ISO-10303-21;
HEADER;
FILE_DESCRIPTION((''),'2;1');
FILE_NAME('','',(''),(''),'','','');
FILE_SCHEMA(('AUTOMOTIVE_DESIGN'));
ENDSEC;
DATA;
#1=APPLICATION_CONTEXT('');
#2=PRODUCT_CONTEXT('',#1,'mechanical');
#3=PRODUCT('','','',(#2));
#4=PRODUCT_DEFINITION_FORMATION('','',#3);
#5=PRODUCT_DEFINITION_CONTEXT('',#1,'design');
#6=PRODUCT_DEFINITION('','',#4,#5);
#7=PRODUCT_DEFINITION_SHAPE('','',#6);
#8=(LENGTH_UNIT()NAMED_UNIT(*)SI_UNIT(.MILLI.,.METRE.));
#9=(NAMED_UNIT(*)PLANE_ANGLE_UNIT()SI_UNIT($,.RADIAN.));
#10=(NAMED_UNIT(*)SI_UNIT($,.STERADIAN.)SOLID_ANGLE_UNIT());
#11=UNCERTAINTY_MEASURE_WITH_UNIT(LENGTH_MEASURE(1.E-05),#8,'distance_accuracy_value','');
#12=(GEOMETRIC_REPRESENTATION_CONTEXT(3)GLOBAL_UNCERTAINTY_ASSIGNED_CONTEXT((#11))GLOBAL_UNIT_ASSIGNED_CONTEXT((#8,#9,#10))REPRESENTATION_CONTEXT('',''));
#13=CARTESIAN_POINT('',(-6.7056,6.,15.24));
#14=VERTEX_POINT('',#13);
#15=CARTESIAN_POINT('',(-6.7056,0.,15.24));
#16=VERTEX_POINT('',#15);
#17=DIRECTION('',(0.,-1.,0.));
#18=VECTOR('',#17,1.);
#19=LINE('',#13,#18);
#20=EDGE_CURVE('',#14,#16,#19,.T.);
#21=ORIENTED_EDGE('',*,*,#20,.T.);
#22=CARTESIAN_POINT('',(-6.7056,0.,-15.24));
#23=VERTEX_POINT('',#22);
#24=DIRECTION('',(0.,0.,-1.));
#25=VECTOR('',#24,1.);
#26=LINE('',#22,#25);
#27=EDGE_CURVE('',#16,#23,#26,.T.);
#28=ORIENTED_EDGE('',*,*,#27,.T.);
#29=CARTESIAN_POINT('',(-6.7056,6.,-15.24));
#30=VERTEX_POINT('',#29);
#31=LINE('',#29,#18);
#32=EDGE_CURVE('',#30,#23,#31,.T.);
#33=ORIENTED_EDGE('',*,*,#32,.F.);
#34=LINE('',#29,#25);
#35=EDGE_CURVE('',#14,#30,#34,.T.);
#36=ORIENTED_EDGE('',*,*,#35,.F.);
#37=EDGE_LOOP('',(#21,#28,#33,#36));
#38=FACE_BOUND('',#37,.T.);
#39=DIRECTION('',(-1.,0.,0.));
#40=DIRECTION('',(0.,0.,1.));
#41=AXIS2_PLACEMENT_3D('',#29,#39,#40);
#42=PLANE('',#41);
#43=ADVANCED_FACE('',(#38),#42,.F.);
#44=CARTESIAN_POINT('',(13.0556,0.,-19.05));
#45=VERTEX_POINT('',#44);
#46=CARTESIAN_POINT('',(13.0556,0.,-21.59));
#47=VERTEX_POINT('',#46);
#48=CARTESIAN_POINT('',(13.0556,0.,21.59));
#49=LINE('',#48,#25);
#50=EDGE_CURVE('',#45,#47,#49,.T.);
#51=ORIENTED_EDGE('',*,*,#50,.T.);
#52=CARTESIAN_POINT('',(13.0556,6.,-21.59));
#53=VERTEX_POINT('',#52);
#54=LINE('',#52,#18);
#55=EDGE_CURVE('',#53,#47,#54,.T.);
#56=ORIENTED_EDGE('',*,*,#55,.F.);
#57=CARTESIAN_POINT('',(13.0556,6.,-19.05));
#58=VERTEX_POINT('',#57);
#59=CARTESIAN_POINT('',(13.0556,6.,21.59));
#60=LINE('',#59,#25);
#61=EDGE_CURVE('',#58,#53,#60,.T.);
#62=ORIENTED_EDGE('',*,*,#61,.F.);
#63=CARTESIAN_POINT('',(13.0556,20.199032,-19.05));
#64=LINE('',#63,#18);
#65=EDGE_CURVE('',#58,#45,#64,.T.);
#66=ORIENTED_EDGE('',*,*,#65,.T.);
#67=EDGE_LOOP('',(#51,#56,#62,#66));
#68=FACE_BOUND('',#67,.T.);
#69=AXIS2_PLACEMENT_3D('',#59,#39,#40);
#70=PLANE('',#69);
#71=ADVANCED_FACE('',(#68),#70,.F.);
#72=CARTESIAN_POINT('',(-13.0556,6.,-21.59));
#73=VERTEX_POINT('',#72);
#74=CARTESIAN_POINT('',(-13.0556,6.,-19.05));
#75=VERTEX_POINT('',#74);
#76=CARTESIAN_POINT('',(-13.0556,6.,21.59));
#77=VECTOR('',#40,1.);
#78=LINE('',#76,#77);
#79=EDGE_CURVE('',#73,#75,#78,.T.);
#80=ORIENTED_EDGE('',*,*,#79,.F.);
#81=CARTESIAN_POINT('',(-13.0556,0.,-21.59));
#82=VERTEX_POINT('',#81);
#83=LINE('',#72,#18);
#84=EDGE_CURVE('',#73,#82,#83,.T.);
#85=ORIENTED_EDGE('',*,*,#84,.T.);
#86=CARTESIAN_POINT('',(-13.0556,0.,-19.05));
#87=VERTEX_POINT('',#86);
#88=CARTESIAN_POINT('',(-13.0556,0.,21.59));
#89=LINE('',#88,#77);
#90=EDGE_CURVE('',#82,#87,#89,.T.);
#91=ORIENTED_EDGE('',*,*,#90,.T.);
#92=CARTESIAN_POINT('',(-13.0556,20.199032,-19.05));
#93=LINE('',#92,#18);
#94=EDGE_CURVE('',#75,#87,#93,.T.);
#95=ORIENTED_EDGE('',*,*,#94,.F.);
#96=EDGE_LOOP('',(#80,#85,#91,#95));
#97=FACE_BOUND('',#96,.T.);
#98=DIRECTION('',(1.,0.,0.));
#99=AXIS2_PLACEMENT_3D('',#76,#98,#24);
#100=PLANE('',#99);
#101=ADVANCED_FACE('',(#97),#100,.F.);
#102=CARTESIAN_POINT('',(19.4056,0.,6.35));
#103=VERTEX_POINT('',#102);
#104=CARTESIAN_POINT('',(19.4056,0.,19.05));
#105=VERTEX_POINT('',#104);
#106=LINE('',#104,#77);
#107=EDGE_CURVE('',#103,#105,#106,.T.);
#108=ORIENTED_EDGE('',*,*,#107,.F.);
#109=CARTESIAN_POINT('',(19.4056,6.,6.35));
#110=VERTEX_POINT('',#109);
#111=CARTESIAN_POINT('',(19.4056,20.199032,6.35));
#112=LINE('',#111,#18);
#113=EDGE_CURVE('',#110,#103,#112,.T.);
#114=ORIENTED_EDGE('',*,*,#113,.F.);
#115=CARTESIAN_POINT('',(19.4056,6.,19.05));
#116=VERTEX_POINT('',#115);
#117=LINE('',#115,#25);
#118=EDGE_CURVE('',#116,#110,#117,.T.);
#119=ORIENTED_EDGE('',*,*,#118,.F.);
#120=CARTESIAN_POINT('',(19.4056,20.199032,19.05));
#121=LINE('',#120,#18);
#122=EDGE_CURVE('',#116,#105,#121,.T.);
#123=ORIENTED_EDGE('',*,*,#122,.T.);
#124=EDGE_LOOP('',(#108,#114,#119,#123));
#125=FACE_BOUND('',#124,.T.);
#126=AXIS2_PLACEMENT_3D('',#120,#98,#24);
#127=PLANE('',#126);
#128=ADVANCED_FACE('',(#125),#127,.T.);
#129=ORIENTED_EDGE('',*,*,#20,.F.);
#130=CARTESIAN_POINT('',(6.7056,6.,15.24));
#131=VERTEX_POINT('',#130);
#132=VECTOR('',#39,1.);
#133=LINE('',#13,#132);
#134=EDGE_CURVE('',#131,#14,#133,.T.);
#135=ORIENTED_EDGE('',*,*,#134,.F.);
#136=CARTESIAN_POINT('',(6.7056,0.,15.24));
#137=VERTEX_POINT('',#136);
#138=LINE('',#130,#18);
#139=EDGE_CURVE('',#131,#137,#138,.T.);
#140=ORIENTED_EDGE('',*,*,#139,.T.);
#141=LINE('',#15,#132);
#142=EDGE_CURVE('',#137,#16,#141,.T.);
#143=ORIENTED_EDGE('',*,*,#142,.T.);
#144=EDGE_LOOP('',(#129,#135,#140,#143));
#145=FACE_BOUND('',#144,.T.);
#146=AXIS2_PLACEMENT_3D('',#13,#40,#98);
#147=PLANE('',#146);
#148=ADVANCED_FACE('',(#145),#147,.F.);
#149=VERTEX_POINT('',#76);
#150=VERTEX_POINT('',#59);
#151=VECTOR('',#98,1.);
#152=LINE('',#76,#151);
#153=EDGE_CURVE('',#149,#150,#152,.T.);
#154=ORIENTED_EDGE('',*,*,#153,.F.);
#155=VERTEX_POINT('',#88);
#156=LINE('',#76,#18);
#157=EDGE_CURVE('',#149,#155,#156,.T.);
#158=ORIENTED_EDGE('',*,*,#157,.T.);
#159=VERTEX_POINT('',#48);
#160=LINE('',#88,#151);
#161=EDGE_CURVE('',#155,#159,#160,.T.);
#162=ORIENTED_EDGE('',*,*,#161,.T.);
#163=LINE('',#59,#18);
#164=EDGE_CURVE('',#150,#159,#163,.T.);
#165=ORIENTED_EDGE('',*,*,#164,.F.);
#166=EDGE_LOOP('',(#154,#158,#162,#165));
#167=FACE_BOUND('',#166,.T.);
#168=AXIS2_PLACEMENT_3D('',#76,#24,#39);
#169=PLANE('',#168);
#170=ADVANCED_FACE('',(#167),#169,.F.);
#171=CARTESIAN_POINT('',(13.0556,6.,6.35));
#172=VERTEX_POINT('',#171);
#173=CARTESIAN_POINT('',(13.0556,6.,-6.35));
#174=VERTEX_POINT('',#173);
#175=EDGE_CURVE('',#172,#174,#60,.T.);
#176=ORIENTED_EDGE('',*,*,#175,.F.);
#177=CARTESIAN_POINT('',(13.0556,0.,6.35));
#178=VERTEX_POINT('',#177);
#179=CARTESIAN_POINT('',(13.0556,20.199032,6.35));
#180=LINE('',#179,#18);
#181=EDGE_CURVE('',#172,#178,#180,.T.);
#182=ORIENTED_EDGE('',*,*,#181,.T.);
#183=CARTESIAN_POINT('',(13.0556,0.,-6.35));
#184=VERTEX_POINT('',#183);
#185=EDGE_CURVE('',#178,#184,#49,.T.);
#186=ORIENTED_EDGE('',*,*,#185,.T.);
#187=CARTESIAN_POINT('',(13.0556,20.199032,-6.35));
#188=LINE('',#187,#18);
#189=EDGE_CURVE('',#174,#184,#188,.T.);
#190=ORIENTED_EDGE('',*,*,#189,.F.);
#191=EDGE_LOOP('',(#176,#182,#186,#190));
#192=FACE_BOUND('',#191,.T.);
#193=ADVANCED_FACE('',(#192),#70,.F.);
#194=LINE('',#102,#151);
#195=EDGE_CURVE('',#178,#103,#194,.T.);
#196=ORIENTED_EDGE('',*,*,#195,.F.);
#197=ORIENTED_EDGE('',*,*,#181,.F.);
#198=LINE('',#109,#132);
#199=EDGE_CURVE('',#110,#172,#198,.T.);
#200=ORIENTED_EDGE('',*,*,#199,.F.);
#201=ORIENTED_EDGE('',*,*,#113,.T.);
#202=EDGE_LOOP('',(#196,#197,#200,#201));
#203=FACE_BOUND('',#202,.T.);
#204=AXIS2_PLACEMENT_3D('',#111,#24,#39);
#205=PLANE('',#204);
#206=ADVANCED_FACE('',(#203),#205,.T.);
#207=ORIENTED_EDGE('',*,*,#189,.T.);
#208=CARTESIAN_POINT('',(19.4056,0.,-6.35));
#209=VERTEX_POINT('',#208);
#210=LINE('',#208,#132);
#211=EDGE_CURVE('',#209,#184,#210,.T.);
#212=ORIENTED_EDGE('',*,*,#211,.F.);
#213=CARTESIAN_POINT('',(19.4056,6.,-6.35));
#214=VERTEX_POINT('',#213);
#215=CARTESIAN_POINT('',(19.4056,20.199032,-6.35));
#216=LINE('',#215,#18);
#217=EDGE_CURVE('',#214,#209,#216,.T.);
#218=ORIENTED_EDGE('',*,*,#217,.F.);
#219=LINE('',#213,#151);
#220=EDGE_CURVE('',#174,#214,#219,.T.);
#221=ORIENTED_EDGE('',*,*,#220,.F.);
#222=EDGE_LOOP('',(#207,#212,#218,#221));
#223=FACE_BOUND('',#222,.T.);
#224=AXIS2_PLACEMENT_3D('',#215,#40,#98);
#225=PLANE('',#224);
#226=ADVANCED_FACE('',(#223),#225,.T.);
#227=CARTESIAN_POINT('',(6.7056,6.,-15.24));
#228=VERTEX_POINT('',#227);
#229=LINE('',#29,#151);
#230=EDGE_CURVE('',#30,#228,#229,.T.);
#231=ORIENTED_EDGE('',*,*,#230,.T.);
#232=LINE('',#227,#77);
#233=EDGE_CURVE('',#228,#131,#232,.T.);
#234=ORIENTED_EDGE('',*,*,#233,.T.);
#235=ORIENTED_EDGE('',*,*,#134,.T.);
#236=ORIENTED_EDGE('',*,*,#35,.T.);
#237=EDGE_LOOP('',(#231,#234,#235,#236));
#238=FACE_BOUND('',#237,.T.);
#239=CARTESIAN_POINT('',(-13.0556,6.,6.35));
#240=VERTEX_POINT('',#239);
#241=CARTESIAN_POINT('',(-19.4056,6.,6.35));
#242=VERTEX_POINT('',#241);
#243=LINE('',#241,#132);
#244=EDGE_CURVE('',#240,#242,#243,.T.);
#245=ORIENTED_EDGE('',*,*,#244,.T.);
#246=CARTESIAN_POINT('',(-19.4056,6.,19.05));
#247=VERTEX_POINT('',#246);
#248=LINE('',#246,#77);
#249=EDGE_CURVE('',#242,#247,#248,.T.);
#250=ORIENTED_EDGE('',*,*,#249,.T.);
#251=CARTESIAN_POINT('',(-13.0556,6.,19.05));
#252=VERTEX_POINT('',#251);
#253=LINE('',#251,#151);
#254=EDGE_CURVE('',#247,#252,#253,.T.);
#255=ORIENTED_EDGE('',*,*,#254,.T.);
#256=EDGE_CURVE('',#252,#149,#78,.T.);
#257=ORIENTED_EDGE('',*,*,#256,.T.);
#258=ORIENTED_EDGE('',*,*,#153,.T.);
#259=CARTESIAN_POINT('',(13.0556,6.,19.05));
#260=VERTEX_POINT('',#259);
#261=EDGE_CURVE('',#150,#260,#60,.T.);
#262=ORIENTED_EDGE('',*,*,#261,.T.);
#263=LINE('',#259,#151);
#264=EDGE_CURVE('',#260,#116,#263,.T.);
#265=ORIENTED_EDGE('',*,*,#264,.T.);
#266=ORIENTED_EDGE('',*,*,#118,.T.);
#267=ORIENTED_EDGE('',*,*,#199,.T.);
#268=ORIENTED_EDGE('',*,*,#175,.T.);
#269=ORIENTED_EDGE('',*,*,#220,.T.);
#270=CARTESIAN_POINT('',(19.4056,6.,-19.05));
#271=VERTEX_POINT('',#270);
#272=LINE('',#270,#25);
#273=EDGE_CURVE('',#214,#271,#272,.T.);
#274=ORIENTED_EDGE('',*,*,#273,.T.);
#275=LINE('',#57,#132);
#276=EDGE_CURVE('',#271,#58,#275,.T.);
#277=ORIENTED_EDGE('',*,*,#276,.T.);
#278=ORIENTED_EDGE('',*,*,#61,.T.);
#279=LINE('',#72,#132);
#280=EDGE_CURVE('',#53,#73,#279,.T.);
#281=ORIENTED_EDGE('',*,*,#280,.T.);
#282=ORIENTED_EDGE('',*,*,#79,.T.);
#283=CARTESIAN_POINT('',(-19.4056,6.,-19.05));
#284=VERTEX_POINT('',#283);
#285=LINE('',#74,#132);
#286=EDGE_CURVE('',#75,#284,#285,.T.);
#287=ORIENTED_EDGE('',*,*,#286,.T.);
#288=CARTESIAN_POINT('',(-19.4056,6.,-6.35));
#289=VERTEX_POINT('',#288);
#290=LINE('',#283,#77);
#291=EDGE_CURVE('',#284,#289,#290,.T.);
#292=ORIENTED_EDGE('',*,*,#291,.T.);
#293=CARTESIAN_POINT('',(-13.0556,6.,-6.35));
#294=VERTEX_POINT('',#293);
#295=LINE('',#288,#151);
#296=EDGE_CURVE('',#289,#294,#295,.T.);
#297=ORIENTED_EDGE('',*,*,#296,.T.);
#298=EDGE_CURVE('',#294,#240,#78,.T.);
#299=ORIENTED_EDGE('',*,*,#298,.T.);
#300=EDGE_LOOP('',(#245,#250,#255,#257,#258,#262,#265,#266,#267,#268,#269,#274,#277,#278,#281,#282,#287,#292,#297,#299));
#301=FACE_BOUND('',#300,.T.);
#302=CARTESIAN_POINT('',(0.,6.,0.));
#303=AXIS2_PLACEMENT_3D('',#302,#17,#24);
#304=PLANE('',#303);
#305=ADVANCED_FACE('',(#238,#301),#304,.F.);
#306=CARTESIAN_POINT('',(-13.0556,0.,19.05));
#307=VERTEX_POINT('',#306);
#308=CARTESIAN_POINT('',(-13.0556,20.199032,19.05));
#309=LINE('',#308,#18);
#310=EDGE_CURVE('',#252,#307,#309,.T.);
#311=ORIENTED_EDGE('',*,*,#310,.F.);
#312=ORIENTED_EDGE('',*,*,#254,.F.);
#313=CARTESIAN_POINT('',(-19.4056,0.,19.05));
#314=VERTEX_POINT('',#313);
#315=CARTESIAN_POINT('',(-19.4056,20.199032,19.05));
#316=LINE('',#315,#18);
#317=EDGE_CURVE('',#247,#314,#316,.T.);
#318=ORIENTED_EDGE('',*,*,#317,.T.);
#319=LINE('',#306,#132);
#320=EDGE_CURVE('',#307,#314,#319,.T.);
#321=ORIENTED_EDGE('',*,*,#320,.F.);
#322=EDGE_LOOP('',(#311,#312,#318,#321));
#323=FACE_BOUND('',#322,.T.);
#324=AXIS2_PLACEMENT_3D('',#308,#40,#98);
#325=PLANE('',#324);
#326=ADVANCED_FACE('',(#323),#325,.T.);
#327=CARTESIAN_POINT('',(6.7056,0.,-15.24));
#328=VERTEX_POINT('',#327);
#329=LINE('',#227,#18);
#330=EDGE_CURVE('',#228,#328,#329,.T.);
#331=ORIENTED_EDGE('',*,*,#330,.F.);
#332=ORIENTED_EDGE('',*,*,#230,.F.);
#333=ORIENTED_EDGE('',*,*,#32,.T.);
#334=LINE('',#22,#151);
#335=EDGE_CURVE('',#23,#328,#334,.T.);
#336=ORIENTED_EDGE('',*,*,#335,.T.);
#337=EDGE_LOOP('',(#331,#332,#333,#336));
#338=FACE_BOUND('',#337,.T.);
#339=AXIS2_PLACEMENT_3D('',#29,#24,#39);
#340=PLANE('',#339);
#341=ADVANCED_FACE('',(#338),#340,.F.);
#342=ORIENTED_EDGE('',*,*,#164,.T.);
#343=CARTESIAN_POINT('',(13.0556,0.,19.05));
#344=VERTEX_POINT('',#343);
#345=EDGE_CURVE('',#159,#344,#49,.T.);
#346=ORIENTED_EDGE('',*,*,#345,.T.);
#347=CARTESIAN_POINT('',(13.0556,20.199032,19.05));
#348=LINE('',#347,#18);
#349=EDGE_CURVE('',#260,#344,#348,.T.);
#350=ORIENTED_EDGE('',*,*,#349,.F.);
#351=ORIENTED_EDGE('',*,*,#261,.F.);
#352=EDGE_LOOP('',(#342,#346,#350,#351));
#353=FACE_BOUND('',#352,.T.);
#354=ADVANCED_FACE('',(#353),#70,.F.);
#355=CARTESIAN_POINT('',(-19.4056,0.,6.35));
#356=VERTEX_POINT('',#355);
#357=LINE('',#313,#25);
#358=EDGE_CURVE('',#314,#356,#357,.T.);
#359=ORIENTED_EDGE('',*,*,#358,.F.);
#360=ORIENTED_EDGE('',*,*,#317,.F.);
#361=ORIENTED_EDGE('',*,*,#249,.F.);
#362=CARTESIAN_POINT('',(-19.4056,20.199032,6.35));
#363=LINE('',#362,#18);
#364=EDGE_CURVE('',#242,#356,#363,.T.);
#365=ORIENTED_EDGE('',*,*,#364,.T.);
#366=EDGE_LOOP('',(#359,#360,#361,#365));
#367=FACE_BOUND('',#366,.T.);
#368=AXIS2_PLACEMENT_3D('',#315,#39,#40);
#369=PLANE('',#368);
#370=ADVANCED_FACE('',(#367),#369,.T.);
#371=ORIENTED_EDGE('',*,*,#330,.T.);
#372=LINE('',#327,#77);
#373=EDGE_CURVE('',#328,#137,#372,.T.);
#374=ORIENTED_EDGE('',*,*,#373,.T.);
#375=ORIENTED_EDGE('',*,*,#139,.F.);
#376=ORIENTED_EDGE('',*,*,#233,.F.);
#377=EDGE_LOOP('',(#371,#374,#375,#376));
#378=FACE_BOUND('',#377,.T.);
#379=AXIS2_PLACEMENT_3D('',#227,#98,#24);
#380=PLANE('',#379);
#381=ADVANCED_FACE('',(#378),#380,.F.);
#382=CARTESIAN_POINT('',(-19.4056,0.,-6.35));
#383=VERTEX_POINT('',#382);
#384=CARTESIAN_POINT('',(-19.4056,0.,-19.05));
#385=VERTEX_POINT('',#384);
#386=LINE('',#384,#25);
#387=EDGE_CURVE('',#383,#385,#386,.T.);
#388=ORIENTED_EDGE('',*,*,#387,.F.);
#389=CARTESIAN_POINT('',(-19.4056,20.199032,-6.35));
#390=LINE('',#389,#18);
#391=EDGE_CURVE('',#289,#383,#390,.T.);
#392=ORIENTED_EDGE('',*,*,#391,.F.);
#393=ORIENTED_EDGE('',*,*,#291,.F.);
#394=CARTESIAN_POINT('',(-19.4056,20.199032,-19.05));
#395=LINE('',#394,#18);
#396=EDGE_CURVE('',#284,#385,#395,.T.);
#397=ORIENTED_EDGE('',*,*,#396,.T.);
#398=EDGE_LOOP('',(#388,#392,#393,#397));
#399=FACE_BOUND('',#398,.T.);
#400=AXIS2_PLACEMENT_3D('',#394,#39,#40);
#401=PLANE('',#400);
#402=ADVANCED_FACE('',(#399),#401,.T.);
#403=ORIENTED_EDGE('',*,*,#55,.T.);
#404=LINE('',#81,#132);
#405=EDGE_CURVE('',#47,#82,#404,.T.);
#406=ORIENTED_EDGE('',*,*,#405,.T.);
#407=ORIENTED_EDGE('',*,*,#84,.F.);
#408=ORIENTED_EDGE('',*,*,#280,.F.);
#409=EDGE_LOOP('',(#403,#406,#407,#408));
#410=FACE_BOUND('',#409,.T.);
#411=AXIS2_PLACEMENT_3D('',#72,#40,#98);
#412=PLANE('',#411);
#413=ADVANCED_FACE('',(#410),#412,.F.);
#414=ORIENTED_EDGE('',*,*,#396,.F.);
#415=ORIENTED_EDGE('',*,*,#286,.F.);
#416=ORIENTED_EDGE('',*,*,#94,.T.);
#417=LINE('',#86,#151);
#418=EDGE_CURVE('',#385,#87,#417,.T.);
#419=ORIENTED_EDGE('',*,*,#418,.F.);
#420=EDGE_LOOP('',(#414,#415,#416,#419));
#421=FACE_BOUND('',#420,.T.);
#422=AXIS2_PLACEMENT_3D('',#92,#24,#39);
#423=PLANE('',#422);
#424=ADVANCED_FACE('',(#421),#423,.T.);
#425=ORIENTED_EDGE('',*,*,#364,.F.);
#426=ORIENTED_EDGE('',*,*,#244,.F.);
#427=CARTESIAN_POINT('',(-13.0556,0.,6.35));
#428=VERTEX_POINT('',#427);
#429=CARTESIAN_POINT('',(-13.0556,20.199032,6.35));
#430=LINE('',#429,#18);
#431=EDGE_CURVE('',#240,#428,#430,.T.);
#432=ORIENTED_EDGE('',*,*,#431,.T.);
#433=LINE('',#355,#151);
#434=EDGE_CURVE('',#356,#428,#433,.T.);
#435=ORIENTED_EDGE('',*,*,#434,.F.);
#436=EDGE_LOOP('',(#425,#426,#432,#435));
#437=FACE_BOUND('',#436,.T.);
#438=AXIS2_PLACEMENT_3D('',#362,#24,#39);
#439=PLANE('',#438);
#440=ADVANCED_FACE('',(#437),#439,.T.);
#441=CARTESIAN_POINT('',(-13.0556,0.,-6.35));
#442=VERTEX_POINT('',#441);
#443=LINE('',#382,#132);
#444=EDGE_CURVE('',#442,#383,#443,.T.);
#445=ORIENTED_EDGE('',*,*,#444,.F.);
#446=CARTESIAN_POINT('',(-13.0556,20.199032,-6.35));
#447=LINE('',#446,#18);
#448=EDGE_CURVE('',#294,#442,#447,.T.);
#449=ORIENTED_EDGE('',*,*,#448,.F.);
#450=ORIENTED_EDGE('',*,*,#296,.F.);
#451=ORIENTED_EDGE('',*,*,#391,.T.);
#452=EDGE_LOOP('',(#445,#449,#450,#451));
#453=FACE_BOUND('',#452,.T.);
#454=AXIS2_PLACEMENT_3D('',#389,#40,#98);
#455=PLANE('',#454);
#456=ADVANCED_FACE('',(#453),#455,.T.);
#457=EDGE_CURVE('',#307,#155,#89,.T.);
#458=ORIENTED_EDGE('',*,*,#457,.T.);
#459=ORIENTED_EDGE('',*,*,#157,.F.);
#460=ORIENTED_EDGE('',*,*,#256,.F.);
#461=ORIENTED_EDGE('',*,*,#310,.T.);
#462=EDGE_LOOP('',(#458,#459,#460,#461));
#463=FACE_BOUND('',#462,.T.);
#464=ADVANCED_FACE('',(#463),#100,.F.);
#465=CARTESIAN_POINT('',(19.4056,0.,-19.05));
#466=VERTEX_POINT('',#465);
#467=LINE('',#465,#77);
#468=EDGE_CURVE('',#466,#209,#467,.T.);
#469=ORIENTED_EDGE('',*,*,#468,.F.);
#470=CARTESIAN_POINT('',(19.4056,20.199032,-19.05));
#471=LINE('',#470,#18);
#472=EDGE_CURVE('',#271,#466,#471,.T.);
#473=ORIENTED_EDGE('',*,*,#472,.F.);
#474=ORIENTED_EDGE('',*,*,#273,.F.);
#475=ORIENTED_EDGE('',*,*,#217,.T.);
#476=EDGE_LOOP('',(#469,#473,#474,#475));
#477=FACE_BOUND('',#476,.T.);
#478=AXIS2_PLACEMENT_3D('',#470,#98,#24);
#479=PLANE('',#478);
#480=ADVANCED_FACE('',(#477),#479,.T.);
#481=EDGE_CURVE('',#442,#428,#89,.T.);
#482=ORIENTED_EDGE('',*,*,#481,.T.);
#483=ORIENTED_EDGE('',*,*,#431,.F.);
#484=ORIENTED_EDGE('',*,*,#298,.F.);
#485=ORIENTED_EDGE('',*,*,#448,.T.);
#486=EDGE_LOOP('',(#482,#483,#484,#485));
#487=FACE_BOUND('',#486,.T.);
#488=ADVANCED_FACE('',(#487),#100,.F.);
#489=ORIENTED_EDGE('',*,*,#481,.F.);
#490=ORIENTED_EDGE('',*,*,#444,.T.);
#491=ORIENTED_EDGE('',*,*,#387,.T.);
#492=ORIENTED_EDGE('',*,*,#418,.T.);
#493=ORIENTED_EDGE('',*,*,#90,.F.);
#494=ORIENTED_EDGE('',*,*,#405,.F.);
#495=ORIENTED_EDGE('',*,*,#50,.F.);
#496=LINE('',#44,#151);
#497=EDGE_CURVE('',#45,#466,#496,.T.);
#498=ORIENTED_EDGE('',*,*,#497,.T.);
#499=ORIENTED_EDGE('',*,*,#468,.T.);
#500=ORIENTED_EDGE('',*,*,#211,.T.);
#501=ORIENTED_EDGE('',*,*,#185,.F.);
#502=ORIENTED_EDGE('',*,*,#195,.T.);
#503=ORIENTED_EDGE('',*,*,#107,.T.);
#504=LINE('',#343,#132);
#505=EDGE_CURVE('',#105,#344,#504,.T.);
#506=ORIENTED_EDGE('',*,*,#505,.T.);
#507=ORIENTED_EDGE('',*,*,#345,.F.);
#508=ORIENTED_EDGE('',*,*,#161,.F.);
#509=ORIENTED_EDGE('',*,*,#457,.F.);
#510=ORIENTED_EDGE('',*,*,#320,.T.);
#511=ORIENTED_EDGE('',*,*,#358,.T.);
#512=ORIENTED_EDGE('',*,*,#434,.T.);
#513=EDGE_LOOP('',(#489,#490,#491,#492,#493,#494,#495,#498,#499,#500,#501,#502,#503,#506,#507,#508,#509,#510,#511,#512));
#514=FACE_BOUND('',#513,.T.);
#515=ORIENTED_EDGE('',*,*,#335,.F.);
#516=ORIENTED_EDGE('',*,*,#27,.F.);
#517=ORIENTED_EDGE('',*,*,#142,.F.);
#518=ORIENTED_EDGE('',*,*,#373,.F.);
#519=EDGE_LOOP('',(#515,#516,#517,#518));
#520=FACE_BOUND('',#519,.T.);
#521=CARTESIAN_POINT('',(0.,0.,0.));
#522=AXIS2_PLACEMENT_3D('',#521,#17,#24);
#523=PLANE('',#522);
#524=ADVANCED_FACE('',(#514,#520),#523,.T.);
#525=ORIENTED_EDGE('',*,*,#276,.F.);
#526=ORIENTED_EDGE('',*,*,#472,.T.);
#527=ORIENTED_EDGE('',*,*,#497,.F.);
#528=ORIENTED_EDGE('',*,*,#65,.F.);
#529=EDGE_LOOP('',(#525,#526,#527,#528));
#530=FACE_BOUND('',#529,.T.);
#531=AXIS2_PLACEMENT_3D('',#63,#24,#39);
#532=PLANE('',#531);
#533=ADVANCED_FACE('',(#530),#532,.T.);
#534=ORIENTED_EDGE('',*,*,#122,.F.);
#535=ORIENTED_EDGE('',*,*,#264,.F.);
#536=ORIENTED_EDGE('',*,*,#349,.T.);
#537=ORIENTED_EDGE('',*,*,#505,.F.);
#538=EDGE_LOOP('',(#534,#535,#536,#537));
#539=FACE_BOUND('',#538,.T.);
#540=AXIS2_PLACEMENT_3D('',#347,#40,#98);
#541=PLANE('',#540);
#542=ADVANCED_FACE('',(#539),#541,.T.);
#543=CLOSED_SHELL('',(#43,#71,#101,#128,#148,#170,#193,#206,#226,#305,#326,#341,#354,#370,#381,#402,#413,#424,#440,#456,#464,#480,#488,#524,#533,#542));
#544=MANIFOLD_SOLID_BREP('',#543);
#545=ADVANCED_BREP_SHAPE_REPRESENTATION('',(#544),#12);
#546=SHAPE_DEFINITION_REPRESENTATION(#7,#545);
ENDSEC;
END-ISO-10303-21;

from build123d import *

# Parameters (mm, degrees)
SKETCH1_W           = 26.1112
SKETCH1_H           = 43.18
BOSS_EXTRUDE1_DEPTH = 6
SKETCH2_W           = 6.35
SKETCH2_H           = 12.7
BOSS_EXTRUDE2_DEPTH = 6
SKETCH3_W           = 13.4112
SKETCH3_H           = 30.48
CUT_EXTRUDE1_DEPTH  = 30.64296563


with BuildPart() as part:
    # Sketch1 → Boss-Extrude1 (new body)
    with BuildSketch(Plane(origin=(0, 0, 0), x_dir=(1, 0, 0), z_dir=(0, 1, 0))):
        Rectangle(SKETCH1_W, SKETCH1_H)
    extrude(amount=BOSS_EXTRUDE1_DEPTH)

    # Sketch2 → Boss-Extrude2 (add)
    with BuildSketch(Plane.XZ):
        with Locations((-16.2306, 12.7)):
            Rectangle(SKETCH2_W, SKETCH2_H)
        with Locations((16.2306, 12.7)):
            Rectangle(SKETCH2_W, SKETCH2_H)
        with Locations((16.2306, -12.7)):
            Rectangle(SKETCH2_W, SKETCH2_H)
        with Locations((-16.2306, -12.7)):
            Rectangle(SKETCH2_W, SKETCH2_H)
    extrude(amount=-BOSS_EXTRUDE2_DEPTH)

    # Sketch3 → Cut-Extrude1 (cut, through all)
    with BuildSketch(Plane.XZ):
        Rectangle(SKETCH3_W, SKETCH3_H)
    extrude(amount=-CUT_EXTRUDE1_DEPTH, mode=Mode.SUBTRACT)


solid = part.part
